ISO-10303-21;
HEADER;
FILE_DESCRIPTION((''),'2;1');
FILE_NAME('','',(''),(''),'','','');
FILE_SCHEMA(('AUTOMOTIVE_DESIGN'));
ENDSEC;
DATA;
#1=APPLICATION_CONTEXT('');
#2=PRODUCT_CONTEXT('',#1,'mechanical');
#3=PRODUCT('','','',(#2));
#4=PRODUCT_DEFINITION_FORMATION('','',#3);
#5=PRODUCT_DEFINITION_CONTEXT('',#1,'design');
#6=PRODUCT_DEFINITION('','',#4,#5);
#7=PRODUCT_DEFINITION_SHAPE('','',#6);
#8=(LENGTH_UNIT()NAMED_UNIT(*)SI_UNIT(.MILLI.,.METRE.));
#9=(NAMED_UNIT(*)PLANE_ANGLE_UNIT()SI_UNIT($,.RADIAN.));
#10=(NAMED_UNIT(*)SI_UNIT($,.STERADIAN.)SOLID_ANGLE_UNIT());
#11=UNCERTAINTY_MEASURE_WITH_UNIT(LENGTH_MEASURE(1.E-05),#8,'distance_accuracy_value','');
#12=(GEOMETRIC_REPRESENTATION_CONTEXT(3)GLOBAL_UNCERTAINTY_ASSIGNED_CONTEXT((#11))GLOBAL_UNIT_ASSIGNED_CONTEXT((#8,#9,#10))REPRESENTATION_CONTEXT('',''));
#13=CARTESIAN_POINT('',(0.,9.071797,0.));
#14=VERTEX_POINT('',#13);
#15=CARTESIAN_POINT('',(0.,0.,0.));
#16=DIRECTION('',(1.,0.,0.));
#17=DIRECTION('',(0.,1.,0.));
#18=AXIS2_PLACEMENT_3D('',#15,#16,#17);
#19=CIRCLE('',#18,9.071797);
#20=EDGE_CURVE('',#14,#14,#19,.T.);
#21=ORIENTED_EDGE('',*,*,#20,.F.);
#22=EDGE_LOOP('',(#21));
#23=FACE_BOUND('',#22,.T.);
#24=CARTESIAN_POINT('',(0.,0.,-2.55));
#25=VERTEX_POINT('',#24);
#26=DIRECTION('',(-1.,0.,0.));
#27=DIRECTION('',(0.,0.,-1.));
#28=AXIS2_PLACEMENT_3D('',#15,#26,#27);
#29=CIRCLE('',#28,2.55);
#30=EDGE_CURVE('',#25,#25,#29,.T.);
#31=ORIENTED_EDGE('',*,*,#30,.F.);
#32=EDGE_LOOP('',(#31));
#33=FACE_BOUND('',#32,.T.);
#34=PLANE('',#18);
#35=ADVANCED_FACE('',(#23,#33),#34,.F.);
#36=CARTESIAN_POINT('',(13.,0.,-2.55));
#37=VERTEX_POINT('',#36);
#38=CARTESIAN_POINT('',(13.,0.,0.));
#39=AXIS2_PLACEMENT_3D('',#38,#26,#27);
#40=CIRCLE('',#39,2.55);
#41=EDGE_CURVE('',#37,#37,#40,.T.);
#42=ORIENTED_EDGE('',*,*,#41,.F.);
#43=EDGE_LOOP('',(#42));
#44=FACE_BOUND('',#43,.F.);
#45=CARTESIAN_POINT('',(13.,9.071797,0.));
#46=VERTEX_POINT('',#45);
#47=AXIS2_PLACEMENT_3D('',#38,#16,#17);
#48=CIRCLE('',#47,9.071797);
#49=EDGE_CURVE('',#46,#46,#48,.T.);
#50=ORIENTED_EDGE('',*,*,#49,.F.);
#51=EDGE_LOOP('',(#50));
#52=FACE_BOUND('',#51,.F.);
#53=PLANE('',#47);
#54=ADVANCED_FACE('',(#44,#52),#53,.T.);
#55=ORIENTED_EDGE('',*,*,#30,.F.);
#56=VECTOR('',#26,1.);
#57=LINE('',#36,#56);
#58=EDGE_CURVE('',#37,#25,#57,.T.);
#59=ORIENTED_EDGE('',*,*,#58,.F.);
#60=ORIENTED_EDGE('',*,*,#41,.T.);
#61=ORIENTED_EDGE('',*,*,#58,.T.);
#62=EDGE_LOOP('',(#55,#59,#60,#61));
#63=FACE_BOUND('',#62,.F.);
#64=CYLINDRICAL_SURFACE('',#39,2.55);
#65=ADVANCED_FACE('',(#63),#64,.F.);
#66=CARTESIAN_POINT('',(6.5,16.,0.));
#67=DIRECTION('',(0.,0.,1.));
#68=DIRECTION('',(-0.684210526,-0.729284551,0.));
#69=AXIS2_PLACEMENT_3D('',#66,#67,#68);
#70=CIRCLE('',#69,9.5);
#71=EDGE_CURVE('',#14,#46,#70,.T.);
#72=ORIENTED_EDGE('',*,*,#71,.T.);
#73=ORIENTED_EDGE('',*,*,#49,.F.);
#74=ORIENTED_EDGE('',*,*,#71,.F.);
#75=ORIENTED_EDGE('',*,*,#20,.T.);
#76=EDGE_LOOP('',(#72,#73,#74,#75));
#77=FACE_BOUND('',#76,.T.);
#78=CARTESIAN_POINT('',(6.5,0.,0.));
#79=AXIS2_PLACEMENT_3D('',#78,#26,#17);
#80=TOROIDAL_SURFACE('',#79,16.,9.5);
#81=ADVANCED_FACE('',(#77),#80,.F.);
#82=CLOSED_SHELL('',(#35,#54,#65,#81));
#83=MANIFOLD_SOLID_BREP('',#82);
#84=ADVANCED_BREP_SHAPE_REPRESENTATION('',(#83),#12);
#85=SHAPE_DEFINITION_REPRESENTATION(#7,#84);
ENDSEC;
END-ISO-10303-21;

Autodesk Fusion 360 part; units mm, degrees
sketch "Sketch1" plane through (0, 0, 0) normal (0, 0, 1) x (1, 0, 0)
  line L0 (0, 0) -> (13, 0)
  line L1 (13, 0) -> (13, 10)
  line L2 (0, 0) -> (0, 10)
  circle A0 centre (6.5, 16) radius 9.5
  line L3 (6.5, 16) -> (6.5, 0)
  dimension "d1" = 13
  dimension "d2" = 10
  dimension "d3" = 10
  dimension "d4" = 19
  dimension "d5" = 16
revolve "Revolve1" add sketch "Sketch1" angle 360 about axis through (0, 0, 0) along (1, 0, 0) contours L0 L2 A0 L3 | L0 L1 A0 L3
hole "Hole1" at (13, 0, 0) direction (-1, 0, 0) diameter 5.1 depth 13 tip angle 180
